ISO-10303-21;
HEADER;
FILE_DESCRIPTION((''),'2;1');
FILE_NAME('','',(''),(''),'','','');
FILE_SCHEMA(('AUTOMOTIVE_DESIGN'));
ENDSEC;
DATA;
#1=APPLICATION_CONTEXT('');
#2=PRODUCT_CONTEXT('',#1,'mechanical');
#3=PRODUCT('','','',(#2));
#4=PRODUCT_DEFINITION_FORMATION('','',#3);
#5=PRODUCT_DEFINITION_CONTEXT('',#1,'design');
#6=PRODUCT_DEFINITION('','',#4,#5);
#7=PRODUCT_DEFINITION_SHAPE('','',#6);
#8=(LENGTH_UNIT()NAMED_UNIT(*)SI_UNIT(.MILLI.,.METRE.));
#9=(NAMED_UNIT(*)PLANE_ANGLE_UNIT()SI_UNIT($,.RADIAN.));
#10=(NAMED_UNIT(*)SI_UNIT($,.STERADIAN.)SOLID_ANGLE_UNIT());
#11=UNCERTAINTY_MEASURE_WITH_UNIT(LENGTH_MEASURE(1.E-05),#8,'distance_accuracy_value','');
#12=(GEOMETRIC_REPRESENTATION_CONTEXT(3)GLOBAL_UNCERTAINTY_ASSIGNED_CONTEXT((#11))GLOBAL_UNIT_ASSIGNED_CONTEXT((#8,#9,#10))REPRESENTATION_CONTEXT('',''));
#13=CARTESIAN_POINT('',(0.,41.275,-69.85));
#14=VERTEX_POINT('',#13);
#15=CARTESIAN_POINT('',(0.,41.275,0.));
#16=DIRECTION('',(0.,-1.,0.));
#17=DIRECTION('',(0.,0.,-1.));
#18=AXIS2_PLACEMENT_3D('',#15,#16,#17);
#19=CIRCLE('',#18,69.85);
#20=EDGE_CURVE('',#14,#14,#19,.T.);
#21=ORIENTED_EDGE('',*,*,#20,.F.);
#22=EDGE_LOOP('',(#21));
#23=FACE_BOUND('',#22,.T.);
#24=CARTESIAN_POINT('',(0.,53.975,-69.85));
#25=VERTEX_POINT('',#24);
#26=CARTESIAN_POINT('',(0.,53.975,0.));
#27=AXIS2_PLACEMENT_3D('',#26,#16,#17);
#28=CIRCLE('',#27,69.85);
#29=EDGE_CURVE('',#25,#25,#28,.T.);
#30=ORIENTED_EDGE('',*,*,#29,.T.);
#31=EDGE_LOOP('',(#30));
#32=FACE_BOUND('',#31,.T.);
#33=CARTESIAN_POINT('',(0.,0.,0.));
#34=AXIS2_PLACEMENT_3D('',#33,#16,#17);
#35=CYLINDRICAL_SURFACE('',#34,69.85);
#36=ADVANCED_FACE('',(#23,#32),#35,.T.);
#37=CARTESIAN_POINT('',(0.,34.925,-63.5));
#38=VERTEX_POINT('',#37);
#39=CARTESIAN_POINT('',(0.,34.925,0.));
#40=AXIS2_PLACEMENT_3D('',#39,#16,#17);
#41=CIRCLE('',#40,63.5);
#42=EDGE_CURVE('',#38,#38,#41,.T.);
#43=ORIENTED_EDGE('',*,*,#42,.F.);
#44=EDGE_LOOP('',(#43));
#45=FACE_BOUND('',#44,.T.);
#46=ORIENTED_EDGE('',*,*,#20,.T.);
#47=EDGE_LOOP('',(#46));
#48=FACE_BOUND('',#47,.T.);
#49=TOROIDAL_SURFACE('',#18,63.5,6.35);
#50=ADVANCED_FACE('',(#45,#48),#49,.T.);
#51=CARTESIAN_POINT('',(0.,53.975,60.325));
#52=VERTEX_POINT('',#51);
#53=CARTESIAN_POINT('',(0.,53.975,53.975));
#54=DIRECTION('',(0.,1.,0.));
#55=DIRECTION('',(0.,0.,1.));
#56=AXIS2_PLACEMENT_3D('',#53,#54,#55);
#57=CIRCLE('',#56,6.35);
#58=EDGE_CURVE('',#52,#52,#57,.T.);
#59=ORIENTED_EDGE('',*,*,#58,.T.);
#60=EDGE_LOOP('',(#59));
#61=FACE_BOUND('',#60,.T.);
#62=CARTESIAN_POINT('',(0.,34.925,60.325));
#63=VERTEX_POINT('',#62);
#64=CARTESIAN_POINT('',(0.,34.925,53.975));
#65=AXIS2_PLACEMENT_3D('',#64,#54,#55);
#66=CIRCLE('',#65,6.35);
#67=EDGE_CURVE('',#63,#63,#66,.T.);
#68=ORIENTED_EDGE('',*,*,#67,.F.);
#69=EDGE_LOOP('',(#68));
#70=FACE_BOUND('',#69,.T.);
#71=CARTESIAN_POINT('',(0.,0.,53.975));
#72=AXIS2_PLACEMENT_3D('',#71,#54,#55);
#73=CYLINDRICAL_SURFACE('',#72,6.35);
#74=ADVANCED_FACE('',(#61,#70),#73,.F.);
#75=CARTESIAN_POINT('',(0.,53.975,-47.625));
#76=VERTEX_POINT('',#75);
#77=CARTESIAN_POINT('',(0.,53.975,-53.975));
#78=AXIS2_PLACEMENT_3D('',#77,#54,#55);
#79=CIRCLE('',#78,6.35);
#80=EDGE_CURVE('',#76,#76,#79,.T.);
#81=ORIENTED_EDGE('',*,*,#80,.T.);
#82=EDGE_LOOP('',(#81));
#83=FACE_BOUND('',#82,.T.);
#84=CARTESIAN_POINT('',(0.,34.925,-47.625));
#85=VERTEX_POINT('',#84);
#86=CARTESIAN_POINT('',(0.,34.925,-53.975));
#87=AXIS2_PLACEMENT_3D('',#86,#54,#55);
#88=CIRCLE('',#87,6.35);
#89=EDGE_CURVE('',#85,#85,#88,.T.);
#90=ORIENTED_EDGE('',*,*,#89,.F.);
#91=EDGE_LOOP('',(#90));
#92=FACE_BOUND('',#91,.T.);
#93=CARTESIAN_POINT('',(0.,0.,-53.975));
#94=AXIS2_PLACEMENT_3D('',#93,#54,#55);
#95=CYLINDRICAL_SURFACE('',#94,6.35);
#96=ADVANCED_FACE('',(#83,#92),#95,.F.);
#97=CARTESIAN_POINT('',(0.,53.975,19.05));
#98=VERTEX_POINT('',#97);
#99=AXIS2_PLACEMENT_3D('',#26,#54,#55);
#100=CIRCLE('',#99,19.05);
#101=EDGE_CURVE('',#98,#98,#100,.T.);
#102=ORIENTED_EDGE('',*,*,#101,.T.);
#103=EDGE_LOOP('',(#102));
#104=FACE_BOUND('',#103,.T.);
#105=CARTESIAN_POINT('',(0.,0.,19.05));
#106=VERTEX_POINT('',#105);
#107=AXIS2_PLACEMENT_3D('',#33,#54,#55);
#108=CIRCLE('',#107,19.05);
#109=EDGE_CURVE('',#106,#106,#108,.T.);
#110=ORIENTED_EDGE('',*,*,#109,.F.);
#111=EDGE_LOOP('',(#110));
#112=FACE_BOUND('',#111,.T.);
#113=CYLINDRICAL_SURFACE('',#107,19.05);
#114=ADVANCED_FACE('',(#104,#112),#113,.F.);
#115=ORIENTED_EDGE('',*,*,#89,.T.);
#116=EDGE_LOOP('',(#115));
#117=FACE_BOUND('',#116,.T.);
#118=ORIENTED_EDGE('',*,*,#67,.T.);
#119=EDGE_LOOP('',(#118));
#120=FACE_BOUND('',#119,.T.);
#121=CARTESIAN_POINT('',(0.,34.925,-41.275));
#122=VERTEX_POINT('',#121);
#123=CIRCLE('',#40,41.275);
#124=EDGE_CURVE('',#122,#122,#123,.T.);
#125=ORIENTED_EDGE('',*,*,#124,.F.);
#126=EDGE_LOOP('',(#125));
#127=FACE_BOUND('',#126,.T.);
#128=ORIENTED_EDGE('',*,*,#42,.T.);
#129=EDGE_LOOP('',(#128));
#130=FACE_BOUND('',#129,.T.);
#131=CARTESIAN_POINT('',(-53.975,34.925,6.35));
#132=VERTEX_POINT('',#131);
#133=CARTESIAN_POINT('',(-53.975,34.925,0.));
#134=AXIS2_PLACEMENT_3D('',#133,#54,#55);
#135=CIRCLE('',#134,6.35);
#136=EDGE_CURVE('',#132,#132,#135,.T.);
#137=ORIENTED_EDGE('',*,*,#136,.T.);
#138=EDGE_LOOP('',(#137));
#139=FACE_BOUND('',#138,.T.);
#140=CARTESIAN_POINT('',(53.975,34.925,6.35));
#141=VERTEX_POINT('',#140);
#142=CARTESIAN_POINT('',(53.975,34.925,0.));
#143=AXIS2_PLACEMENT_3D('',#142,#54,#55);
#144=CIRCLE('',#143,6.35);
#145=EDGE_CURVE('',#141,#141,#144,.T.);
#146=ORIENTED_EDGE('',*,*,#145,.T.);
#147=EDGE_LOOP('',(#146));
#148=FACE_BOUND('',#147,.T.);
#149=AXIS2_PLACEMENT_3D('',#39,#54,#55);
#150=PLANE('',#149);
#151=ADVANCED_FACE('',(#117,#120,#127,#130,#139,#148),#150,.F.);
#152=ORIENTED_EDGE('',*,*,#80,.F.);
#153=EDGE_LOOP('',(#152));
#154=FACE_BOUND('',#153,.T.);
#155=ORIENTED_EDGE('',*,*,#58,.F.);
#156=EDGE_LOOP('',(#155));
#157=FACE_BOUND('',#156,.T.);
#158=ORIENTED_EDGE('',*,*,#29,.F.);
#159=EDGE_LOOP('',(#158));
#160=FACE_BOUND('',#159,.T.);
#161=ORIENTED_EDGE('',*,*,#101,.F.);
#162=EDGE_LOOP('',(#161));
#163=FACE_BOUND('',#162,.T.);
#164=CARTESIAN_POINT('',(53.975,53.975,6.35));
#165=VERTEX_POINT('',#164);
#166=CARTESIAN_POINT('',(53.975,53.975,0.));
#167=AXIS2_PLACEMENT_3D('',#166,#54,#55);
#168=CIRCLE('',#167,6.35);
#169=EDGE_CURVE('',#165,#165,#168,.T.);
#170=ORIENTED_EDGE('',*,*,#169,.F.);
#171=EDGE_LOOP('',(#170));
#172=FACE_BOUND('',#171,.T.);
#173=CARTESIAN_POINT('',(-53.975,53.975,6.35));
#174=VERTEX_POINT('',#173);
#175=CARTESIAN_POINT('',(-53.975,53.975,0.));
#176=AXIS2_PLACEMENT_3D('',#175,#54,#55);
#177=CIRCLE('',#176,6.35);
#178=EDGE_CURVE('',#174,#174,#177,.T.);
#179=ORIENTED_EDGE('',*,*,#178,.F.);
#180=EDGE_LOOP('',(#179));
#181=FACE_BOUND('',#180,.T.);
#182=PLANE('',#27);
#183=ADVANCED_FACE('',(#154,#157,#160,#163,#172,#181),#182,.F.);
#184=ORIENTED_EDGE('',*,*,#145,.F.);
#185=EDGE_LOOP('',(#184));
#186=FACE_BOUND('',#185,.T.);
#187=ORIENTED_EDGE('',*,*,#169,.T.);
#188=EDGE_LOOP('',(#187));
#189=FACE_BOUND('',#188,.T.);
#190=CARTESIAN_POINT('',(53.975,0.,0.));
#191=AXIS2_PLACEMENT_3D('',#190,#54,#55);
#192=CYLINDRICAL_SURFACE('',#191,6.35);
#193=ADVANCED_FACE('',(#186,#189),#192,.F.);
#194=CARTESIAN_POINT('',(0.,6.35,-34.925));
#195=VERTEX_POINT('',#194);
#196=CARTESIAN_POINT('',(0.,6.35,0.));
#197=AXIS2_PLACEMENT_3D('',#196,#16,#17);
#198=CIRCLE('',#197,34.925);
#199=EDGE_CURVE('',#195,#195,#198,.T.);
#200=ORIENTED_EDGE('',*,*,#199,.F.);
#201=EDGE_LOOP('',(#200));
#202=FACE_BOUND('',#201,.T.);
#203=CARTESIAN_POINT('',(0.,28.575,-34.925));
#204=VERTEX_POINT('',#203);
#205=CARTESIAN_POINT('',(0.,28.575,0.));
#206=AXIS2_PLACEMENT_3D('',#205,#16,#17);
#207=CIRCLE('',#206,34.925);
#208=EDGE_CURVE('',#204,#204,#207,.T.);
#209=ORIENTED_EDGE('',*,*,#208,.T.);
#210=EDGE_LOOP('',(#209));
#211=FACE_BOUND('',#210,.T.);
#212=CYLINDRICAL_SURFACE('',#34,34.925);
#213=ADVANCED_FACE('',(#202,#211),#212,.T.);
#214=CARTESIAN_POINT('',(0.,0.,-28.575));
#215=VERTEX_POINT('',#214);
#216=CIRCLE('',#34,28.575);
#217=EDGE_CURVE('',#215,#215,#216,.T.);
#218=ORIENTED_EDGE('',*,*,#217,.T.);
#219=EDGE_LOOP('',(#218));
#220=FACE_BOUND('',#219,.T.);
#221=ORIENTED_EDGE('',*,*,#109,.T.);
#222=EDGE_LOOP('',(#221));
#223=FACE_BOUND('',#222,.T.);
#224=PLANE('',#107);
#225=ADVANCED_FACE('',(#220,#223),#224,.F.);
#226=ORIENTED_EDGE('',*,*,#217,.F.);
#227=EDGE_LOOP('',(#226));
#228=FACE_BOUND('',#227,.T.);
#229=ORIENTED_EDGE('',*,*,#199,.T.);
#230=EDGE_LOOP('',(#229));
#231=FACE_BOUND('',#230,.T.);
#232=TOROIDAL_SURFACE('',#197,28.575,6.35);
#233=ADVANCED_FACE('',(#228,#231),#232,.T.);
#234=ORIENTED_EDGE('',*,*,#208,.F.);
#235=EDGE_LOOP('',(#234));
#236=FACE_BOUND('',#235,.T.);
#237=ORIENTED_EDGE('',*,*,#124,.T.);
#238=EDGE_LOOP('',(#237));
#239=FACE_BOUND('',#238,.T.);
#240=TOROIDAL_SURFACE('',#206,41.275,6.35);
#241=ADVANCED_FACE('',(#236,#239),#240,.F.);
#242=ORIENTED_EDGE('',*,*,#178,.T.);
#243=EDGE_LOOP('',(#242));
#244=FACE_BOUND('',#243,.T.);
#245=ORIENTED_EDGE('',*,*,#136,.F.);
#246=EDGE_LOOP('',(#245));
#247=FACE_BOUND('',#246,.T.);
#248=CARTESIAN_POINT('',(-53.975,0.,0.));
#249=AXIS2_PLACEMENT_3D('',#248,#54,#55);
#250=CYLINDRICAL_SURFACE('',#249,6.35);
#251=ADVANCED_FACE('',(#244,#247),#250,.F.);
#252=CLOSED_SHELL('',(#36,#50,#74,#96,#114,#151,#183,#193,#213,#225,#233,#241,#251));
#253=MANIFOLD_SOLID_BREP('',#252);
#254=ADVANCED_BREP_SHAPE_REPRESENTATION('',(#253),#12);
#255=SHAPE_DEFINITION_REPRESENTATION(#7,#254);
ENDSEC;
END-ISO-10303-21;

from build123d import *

# Parameters (mm, degrees)
SKETCH2_R          = 19.05
SKETCH2_R_2        = 6.35
CUT_EXTRUDE1_DEPTH = 113.567071735


with BuildPart() as part:
    # Sketch1 → Revolve1 (revolve)
    with BuildSketch(Plane(origin=(0, 0, 0), x_dir=(0, 0, -1), z_dir=(1, 0, 0))):
        with BuildLine():
            Line((34.925, 28.575), (34.925, 6.35))
            ThreePointArc((34.925, 6.35), (33.065128061, 1.859871939), (28.575, 0))
            Line((28.575, 0), (0, 0))
            Line((0, 0), (0, 53.975))
            Line((0, 53.975), (69.85, 53.975))
            Line((69.85, 53.975), (69.85, 41.275))
            ThreePointArc((69.85, 41.275), (67.990128061, 36.784871939), (63.5, 34.925))
            Line((63.5, 34.925), (41.275, 34.925))
            ThreePointArc((41.275, 34.925), (36.784871939, 33.065128061), (34.925, 28.575))
        make_face()
    revolve(axis=Axis((0, 0, 0), (0, 1, 0)))

    # Sketch2 → Cut-Extrude1 (cut, through all)
    with BuildSketch(Plane(origin=(0, 53.975, 0), x_dir=(1, 0, 0), z_dir=(0, 1, 0))):
        with Locations(Location((0, 0, 0), (0, 0, 270))):
            Circle(SKETCH2_R)
        with Locations(Location((0, 53.975, 0), (0, 0, 270))):
            Circle(SKETCH2_R_2)
        with Locations(Location((53.975, 0, 0), (0, 0, 270))):
            Circle(SKETCH2_R_2)
        with Locations(Location((0, -53.975, 0), (0, 0, 270))):
            Circle(SKETCH2_R_2)
        with Locations(Location((-53.975, 0, 0), (0, 0, 270))):
            Circle(SKETCH2_R_2)
    extrude(amount=-CUT_EXTRUDE1_DEPTH, mode=Mode.SUBTRACT)


solid = part.part
